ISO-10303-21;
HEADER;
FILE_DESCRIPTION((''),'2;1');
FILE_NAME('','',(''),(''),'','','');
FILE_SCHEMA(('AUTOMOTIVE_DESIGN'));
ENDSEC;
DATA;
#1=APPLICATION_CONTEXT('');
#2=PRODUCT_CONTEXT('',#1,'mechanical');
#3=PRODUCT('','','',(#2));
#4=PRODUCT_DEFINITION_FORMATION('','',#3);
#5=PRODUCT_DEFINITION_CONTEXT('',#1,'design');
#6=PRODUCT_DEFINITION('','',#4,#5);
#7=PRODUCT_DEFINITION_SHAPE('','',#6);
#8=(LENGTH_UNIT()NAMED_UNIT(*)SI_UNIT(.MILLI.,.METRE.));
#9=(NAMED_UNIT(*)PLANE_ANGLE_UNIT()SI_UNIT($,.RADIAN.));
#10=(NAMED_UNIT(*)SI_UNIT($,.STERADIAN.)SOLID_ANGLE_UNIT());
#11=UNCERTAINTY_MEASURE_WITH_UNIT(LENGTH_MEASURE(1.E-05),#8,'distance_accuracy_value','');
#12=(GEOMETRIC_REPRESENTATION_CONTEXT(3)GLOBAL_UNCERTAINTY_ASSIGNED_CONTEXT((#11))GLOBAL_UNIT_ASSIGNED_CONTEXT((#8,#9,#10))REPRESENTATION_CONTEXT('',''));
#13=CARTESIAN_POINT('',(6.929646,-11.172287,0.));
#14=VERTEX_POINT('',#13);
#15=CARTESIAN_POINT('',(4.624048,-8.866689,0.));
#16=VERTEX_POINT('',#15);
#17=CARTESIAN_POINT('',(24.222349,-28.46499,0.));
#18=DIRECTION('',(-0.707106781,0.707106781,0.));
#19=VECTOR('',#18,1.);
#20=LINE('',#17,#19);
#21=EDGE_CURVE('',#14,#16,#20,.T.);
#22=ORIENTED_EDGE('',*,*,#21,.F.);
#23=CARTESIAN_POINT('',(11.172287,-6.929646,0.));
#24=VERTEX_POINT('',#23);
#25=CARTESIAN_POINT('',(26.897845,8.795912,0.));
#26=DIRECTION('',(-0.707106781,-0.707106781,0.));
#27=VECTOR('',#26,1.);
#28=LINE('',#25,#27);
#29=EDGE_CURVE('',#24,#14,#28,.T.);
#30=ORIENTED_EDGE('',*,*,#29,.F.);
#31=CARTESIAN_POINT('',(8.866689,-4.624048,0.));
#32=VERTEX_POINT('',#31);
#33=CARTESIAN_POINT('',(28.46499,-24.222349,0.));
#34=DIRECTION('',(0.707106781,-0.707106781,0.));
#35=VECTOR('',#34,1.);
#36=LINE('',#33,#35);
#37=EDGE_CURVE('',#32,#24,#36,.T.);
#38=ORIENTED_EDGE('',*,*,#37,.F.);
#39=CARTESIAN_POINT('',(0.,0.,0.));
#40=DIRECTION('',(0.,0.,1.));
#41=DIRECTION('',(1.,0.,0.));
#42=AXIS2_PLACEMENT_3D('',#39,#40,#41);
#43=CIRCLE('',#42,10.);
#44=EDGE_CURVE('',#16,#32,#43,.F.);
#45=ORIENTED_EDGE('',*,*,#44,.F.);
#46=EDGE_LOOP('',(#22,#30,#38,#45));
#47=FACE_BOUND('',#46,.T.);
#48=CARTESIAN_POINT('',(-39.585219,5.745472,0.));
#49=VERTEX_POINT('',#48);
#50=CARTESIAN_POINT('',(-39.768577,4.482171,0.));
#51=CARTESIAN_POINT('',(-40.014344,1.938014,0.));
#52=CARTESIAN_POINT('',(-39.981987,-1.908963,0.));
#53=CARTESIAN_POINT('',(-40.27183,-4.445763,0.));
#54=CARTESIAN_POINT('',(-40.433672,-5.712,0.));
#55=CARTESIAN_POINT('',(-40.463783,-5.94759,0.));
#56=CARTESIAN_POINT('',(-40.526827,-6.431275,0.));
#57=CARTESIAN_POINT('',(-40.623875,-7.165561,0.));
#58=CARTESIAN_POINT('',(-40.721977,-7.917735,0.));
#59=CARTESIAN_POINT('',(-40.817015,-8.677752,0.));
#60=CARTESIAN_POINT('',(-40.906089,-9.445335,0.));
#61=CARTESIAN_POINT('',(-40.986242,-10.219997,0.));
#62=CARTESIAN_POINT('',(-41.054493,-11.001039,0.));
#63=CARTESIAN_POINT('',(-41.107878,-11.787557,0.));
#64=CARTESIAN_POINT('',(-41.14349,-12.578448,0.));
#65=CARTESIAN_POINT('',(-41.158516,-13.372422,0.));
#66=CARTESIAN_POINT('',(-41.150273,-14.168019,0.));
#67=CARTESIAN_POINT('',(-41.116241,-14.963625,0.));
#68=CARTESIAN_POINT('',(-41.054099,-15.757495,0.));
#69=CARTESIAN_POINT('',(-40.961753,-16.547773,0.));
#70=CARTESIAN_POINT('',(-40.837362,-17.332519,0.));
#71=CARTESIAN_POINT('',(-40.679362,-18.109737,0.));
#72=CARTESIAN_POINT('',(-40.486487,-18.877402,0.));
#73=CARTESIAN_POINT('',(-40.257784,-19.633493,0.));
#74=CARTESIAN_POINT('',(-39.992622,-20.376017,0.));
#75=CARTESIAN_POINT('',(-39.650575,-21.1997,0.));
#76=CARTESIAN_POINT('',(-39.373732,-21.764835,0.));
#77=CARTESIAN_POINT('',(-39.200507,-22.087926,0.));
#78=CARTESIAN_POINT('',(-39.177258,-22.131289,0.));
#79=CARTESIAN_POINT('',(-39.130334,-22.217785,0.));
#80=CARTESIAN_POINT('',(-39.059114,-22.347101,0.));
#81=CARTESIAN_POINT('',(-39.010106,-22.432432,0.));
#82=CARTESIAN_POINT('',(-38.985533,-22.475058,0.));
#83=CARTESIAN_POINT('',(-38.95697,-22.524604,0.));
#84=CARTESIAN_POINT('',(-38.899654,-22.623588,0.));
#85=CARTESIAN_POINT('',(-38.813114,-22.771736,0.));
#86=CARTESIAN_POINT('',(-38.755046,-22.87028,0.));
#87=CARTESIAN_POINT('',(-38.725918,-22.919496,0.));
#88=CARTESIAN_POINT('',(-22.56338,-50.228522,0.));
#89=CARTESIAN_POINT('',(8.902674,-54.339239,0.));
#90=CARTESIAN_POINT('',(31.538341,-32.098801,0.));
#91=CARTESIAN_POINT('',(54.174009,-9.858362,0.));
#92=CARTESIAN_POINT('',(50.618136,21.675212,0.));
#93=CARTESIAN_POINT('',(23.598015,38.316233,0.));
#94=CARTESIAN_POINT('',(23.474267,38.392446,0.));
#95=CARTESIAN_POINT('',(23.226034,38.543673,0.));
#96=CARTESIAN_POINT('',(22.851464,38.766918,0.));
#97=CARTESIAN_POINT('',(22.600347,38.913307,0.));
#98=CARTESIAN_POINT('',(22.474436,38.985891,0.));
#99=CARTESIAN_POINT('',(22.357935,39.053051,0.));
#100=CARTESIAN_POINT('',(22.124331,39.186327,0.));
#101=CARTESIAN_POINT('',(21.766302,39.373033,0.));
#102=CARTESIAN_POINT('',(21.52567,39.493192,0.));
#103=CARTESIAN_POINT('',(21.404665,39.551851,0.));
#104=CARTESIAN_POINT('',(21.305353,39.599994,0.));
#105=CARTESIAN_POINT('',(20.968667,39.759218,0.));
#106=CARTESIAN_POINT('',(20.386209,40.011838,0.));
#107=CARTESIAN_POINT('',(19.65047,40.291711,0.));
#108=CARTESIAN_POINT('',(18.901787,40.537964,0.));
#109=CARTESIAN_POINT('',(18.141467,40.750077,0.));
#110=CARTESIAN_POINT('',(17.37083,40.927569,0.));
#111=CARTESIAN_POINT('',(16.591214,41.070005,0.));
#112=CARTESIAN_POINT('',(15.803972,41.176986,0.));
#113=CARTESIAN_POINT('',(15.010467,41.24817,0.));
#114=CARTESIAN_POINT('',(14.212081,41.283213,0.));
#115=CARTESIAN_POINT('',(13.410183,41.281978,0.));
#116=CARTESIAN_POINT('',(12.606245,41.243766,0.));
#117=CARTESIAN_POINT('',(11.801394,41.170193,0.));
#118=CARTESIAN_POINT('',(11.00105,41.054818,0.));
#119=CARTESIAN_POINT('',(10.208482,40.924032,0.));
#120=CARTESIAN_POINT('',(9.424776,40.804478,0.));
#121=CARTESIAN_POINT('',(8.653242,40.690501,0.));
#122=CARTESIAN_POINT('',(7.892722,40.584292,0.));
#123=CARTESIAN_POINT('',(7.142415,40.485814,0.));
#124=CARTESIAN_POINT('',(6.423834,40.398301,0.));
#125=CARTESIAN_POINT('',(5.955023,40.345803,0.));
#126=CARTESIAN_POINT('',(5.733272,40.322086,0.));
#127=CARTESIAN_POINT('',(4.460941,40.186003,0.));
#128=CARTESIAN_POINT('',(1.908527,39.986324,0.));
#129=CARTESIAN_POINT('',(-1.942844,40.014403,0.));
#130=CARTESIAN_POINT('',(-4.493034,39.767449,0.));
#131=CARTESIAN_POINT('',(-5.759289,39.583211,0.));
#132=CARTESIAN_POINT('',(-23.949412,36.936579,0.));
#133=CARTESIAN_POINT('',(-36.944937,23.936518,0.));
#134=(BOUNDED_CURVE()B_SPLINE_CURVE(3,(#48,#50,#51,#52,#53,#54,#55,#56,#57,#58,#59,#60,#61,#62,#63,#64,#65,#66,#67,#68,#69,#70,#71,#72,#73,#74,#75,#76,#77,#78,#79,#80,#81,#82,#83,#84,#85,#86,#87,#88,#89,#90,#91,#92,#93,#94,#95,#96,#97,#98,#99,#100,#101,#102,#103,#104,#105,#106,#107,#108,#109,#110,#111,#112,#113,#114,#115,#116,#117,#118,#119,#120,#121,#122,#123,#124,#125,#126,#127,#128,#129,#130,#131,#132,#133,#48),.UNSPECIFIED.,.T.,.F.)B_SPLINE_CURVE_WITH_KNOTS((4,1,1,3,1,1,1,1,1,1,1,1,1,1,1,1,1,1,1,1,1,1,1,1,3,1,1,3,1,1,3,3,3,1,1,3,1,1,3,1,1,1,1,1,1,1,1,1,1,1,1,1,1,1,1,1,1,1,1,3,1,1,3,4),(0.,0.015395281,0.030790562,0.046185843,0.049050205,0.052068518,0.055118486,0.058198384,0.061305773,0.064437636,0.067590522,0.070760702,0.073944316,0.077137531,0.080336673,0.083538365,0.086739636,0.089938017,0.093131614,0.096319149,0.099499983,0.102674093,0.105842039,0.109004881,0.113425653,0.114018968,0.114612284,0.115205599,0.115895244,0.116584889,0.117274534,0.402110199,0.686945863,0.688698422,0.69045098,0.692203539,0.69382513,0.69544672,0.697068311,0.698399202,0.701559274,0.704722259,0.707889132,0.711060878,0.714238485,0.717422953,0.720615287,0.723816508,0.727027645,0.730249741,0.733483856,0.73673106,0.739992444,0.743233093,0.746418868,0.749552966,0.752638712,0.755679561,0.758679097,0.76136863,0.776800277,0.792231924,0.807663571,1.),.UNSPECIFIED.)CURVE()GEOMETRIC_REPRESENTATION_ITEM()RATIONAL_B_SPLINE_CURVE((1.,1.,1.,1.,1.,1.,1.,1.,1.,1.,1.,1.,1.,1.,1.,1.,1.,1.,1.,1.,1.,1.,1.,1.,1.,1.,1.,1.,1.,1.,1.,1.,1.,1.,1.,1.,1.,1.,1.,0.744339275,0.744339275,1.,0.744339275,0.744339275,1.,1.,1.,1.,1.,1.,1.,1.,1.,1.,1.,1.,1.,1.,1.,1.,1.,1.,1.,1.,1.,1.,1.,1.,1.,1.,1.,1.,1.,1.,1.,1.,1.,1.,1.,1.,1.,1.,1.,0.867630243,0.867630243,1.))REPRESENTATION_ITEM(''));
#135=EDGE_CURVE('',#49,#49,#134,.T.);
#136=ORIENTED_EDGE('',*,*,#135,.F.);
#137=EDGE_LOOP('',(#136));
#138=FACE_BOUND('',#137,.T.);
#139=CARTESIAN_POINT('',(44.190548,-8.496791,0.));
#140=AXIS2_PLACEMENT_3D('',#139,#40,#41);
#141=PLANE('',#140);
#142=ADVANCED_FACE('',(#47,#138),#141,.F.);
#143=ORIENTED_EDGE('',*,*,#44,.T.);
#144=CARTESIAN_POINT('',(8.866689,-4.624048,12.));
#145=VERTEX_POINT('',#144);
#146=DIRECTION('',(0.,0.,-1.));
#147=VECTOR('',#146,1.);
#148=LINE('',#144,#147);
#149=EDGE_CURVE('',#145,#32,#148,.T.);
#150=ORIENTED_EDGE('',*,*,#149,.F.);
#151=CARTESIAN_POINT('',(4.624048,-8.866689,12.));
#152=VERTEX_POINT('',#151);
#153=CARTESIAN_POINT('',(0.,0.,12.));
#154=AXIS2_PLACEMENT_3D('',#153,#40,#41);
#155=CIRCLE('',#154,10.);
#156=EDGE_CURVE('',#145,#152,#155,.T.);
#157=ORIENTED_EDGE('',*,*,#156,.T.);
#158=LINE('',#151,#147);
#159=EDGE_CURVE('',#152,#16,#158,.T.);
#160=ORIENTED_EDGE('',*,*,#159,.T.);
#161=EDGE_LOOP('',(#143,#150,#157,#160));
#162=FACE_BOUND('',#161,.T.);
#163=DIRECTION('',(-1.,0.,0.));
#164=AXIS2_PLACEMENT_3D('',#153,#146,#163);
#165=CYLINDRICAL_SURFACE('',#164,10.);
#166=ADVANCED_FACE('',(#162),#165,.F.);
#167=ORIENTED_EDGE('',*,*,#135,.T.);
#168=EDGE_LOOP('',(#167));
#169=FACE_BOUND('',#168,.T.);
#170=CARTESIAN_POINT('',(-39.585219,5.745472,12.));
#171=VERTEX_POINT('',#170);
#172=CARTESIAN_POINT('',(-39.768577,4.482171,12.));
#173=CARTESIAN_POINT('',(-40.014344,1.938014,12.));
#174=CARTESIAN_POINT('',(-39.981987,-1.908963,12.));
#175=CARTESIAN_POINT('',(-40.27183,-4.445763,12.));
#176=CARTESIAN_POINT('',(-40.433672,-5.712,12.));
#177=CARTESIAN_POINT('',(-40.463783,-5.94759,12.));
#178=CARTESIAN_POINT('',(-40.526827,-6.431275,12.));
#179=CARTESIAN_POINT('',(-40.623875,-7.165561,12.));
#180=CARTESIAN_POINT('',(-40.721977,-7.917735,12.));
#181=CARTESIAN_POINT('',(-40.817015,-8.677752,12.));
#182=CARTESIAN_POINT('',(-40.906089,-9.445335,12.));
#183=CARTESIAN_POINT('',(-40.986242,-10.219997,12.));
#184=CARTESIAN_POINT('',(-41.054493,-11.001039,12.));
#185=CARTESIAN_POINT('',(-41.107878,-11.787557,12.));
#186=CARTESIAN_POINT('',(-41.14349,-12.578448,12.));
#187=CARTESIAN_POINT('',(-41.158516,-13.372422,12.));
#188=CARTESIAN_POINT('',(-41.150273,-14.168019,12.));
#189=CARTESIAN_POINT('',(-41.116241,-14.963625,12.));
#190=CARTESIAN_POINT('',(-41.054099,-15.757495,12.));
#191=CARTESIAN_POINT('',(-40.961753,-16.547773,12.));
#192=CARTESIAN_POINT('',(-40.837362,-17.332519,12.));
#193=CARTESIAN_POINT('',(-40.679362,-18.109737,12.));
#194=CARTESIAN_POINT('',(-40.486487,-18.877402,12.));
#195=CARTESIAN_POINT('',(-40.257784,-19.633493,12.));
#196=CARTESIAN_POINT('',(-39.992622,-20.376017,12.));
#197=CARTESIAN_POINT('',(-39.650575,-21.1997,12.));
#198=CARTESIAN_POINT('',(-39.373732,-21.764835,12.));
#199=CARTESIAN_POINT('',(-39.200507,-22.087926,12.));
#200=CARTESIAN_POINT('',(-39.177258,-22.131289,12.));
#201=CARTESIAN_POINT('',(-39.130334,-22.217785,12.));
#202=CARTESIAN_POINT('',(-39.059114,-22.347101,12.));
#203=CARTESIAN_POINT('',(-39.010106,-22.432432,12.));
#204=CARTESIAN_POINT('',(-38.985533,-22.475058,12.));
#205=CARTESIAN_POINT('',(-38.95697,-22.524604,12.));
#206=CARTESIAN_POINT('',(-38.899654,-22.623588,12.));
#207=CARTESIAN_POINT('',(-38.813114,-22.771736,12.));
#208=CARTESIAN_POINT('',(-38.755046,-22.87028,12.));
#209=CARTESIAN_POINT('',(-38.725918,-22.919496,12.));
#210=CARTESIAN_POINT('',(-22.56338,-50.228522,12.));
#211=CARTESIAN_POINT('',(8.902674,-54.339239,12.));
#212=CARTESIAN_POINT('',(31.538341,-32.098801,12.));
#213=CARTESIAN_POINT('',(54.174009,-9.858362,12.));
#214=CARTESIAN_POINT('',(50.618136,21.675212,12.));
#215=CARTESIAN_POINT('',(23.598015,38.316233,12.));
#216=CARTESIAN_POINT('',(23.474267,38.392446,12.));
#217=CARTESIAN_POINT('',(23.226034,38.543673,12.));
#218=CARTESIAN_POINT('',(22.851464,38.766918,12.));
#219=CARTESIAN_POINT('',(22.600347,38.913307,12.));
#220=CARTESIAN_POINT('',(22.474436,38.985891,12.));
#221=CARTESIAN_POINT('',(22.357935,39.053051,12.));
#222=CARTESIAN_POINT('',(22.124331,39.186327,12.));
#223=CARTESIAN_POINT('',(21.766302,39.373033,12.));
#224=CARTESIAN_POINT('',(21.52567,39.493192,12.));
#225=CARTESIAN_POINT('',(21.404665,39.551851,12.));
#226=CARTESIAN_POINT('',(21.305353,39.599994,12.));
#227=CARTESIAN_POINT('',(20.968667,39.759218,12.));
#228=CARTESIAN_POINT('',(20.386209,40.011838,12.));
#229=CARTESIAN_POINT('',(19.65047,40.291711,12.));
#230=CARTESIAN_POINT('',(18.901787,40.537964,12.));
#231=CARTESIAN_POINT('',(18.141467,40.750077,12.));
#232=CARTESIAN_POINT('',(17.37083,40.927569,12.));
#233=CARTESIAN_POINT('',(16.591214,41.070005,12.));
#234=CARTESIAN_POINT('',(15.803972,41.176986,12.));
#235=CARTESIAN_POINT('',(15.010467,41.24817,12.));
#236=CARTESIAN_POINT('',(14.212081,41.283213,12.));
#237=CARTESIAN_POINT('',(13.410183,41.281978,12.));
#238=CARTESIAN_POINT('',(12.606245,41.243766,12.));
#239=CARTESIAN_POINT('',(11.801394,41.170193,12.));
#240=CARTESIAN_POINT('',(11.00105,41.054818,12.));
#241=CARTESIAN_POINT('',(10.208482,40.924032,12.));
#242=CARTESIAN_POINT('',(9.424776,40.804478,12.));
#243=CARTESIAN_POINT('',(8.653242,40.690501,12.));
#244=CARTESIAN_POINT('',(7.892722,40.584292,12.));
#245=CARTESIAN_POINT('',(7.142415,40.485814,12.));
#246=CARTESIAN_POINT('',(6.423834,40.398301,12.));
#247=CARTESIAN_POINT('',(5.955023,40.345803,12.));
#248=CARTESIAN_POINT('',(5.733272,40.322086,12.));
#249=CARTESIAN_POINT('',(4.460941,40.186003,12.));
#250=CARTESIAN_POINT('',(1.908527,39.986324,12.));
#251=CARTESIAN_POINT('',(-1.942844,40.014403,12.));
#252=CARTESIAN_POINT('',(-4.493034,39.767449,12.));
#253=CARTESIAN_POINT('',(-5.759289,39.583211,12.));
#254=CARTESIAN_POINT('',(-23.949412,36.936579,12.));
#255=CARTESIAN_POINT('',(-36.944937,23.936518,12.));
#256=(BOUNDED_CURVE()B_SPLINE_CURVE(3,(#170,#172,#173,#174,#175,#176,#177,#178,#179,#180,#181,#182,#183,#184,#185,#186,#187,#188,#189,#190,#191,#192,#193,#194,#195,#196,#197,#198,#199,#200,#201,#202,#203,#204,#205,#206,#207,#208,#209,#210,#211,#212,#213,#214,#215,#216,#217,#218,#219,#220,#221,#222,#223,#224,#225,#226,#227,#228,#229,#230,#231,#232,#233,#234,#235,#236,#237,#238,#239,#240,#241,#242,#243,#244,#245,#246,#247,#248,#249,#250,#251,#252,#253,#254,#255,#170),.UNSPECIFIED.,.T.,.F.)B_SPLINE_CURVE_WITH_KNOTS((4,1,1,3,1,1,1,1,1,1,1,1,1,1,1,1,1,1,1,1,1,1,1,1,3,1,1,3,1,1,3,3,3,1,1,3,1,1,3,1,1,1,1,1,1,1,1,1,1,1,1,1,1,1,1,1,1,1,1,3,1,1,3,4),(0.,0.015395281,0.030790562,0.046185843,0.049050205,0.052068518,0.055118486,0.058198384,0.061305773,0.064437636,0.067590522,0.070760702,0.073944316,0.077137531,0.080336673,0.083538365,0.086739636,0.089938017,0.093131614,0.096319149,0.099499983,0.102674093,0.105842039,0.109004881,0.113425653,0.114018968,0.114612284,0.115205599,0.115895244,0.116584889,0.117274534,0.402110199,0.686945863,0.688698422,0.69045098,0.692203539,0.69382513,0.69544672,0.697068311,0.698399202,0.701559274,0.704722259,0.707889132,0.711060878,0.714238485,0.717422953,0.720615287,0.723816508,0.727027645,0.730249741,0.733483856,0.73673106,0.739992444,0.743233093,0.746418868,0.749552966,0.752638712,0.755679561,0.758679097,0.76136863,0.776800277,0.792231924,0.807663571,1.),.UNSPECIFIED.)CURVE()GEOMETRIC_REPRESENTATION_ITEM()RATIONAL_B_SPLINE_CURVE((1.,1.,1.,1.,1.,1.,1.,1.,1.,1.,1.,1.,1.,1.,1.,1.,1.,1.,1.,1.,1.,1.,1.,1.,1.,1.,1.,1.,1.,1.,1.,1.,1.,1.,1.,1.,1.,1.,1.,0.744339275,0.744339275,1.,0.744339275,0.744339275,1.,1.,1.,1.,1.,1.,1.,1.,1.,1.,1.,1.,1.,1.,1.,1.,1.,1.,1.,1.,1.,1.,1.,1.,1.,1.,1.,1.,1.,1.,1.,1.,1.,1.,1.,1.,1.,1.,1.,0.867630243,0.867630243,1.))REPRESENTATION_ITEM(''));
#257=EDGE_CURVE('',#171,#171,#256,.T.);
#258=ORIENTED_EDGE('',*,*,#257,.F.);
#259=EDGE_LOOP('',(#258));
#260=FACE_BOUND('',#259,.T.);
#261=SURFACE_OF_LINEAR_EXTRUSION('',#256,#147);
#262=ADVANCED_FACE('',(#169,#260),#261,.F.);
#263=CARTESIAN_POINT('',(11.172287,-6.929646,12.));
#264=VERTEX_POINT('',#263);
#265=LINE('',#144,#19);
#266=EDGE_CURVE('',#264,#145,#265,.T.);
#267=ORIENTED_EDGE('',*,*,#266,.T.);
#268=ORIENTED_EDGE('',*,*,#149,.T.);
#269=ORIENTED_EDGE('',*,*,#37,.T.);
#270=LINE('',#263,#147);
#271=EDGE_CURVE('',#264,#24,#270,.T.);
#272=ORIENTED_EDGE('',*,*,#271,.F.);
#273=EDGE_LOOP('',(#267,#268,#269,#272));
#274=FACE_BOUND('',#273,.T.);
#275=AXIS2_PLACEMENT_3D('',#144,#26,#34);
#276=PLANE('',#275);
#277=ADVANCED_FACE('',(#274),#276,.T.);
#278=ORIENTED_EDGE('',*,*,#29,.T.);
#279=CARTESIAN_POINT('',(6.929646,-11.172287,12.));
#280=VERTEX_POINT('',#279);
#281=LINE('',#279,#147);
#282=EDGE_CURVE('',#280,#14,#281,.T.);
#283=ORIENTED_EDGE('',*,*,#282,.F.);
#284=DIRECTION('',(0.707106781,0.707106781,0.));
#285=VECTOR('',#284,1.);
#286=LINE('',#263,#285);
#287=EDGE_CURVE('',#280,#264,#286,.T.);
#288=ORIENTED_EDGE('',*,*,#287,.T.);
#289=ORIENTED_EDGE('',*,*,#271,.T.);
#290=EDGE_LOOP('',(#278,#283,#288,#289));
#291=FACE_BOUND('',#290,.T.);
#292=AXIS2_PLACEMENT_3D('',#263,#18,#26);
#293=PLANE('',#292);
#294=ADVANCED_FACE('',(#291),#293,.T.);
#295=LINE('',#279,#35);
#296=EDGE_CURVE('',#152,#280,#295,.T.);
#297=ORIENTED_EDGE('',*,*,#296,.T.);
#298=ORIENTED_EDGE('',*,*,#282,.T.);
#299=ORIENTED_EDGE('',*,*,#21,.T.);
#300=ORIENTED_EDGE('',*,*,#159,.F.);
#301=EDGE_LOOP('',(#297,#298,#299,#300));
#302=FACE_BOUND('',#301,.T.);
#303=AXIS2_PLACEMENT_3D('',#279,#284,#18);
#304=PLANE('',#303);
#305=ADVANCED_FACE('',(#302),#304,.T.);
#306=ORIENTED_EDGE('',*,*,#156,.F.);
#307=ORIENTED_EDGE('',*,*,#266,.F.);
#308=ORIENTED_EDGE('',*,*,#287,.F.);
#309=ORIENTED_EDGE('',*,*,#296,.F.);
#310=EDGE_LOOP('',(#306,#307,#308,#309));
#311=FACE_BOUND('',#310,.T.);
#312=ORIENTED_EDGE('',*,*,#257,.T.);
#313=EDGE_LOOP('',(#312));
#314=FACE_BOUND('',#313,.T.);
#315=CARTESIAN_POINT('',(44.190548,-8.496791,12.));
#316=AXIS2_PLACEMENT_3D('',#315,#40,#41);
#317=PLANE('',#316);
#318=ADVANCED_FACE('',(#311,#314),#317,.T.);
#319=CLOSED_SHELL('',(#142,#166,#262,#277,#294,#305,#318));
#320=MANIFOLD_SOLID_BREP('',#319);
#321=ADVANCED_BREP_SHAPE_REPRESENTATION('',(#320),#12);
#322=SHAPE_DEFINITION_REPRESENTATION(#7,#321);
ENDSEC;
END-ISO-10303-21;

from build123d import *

# Parameters (mm, degrees)
EXTRUDE_1_DEPTH          = 12
CUT_EXTRUDE_1_DEPTH      = 12
CUT_EXTRUDE_1_DEPTH_BACK = 12


with BuildPart() as part:
    # 草图1 → 凸台-拉伸1 (new body)
    with BuildSketch(Plane.XY):
        with BuildLine():
            add(Edge.make_bspline(
                [(-39.585218855, 5.745471971), (-36.944936745, 23.936518014), (-23.949412425, 36.936579298), (-5.759289098, 39.58321095), (-4.493034432, 39.767448825), (-1.942843962, 40.014403292), (1.90852667, 39.986323878), (4.460941379, 40.186002627), (5.733272252, 40.322085771), (5.955022815, 40.345803276), (6.423833931, 40.398300747), (7.14241504, 40.485813751), (7.892721613, 40.584291583), (8.653241562, 40.690501104), (9.424776334, 40.804477568), (10.208482371, 40.924032351), (11.001050108, 41.054818025), (11.801394045, 41.17019302), (12.6062452, 41.243766285), (13.410182975, 41.281978357), (14.212080815, 41.283213296), (15.010466504, 41.248169958), (15.803971804, 41.176986285), (16.591214196, 41.070005065), (17.370829939, 40.927569381), (18.141466772, 40.750076698), (18.901787355, 40.537963882), (19.650469901, 40.291710786), (20.386209249, 40.01183821), (20.968667488, 39.759218144), (21.30535302, 39.599993598), (21.404665407, 39.551850614), (21.525670083, 39.493192009), (21.766302004, 39.373033347), (22.12433122, 39.186326932), (22.357935356, 39.05305122), (22.474436383, 38.985891156), (22.600346623, 38.913306906), (22.85146384, 38.766918474), (23.226033937, 38.543672829), (23.474267332, 38.392445808), (23.598014818, 38.316232808), (50.618136373, 21.675211964), (54.174008838, -9.858362438), (31.538341417, -32.098800922), (8.902673996, -54.339239407), (-22.563379883, -50.228522095), (-38.725917783, -22.91949589), (-38.755045843, -22.870279675), (-38.813114317, -22.771736189), (-38.899654239, -22.623587517), (-38.956969601, -22.524604106), (-38.985532831, -22.47505795), (-39.010106366, -22.432432372), (-39.059113619, -22.347100611), (-39.130334183, -22.217784831), (-39.177258062, -22.131288716), (-39.200506712, -22.087926304), (-39.373731502, -21.764834653), (-39.650574877, -21.199700468), (-39.992621915, -20.376017136), (-40.257783821, -19.63349279), (-40.486486905, -18.877402437), (-40.679361932, -18.109737008), (-40.837361899, -17.332519034), (-40.961753286, -16.547773026), (-41.054099487, -15.757495319), (-41.116241221, -14.963625441), (-41.150273012, -14.168018898), (-41.158516391, -13.372421843), (-41.143490093, -12.578447889), (-41.107877608, -11.787557387), (-41.054492529, -11.00103945), (-40.986242095, -10.219996969), (-40.906089421, -9.445334879), (-40.817014905, -8.677751836), (-40.721977304, -7.917735488), (-40.623874999, -7.165561423), (-40.526826925, -6.43127548), (-40.463783118, -5.947589656), (-40.433671769, -5.712000374), (-40.27183029, -4.445762926), (-39.981986588, -1.908962939), (-40.014343546, 1.938013732), (-39.768576726, 4.482170808), (-39.585218855, 5.745471971)],
                knots=[0, 0, 0, 0, 0.192336429, 0.192336429, 0.192336429, 0.207768076, 0.223199723, 0.23863137, 0.23863137, 0.23863137, 0.241320903, 0.244320439, 0.247361288, 0.250447034, 0.253581132, 0.256766907, 0.260007556, 0.26326894, 0.266516144, 0.269750259, 0.272972355, 0.276183492, 0.279384713, 0.282577047, 0.285761515, 0.288939122, 0.292110868, 0.295277741, 0.298440726, 0.301600798, 0.302931689, 0.302931689, 0.302931689, 0.30455328, 0.30617487, 0.307796461, 0.307796461, 0.307796461, 0.30954902, 0.311301578, 0.313054137, 0.313054137, 0.313054137, 0.597889801, 0.597889801, 0.597889801, 0.882725466, 0.882725466, 0.882725466, 0.883415111, 0.884104756, 0.884794401, 0.884794401, 0.884794401, 0.885387716, 0.885981032, 0.886574347, 0.886574347, 0.886574347, 0.890995119, 0.894157961, 0.897325907, 0.900500017, 0.903680851, 0.906868386, 0.910061983, 0.913260364, 0.916461635, 0.919663327, 0.922862469, 0.926055684, 0.929239298, 0.932409478, 0.935562364, 0.938694227, 0.941801616, 0.944881514, 0.947931482, 0.950949795, 0.953814157, 0.953814157, 0.953814157, 0.969209438, 0.984604719, 1, 1, 1, 1], degree=3, weights=[1, 0.867630243, 0.867630243, 1, 1, 1, 1, 1, 1, 1, 1, 1, 1, 1, 1, 1, 1, 1, 1, 1, 1, 1, 1, 1, 1, 1, 1, 1, 1, 1, 1, 1, 1, 1, 1, 1, 1, 1, 1, 1, 1, 1, 0.744339275, 0.744339275, 1, 0.744339275, 0.744339275, 1, 1, 1, 1, 1, 1, 1, 1, 1, 1, 1, 1, 1, 1, 1, 1, 1, 1, 1, 1, 1, 1, 1, 1, 1, 1, 1, 1, 1, 1, 1, 1, 1, 1, 1, 1, 1, 1, 1]))
        make_face()
    extrude(amount=EXTRUDE_1_DEPTH)

    # 草图2 → 切除-拉伸1 (cut, two sides: drawn at the far end of the back side and taken through both)
    with BuildSketch(Plane.XY.offset(-CUT_EXTRUDE_1_DEPTH_BACK)):
        with BuildLine():
            Line((8.866689125, -4.624048438), (11.172287109, -6.929646422))
            Line((11.172287109, -6.929646422), (6.929646422, -11.172287109))
            Line((6.929646422, -11.172287109), (4.624048438, -8.866689125))
            ThreePointArc((4.624048438, -8.866689125), (-7.071067812, 7.071067812), (8.866689125, -4.624048438))
        make_face()
    extrude(amount=CUT_EXTRUDE_1_DEPTH + CUT_EXTRUDE_1_DEPTH_BACK, mode=Mode.SUBTRACT)


solid = part.part
